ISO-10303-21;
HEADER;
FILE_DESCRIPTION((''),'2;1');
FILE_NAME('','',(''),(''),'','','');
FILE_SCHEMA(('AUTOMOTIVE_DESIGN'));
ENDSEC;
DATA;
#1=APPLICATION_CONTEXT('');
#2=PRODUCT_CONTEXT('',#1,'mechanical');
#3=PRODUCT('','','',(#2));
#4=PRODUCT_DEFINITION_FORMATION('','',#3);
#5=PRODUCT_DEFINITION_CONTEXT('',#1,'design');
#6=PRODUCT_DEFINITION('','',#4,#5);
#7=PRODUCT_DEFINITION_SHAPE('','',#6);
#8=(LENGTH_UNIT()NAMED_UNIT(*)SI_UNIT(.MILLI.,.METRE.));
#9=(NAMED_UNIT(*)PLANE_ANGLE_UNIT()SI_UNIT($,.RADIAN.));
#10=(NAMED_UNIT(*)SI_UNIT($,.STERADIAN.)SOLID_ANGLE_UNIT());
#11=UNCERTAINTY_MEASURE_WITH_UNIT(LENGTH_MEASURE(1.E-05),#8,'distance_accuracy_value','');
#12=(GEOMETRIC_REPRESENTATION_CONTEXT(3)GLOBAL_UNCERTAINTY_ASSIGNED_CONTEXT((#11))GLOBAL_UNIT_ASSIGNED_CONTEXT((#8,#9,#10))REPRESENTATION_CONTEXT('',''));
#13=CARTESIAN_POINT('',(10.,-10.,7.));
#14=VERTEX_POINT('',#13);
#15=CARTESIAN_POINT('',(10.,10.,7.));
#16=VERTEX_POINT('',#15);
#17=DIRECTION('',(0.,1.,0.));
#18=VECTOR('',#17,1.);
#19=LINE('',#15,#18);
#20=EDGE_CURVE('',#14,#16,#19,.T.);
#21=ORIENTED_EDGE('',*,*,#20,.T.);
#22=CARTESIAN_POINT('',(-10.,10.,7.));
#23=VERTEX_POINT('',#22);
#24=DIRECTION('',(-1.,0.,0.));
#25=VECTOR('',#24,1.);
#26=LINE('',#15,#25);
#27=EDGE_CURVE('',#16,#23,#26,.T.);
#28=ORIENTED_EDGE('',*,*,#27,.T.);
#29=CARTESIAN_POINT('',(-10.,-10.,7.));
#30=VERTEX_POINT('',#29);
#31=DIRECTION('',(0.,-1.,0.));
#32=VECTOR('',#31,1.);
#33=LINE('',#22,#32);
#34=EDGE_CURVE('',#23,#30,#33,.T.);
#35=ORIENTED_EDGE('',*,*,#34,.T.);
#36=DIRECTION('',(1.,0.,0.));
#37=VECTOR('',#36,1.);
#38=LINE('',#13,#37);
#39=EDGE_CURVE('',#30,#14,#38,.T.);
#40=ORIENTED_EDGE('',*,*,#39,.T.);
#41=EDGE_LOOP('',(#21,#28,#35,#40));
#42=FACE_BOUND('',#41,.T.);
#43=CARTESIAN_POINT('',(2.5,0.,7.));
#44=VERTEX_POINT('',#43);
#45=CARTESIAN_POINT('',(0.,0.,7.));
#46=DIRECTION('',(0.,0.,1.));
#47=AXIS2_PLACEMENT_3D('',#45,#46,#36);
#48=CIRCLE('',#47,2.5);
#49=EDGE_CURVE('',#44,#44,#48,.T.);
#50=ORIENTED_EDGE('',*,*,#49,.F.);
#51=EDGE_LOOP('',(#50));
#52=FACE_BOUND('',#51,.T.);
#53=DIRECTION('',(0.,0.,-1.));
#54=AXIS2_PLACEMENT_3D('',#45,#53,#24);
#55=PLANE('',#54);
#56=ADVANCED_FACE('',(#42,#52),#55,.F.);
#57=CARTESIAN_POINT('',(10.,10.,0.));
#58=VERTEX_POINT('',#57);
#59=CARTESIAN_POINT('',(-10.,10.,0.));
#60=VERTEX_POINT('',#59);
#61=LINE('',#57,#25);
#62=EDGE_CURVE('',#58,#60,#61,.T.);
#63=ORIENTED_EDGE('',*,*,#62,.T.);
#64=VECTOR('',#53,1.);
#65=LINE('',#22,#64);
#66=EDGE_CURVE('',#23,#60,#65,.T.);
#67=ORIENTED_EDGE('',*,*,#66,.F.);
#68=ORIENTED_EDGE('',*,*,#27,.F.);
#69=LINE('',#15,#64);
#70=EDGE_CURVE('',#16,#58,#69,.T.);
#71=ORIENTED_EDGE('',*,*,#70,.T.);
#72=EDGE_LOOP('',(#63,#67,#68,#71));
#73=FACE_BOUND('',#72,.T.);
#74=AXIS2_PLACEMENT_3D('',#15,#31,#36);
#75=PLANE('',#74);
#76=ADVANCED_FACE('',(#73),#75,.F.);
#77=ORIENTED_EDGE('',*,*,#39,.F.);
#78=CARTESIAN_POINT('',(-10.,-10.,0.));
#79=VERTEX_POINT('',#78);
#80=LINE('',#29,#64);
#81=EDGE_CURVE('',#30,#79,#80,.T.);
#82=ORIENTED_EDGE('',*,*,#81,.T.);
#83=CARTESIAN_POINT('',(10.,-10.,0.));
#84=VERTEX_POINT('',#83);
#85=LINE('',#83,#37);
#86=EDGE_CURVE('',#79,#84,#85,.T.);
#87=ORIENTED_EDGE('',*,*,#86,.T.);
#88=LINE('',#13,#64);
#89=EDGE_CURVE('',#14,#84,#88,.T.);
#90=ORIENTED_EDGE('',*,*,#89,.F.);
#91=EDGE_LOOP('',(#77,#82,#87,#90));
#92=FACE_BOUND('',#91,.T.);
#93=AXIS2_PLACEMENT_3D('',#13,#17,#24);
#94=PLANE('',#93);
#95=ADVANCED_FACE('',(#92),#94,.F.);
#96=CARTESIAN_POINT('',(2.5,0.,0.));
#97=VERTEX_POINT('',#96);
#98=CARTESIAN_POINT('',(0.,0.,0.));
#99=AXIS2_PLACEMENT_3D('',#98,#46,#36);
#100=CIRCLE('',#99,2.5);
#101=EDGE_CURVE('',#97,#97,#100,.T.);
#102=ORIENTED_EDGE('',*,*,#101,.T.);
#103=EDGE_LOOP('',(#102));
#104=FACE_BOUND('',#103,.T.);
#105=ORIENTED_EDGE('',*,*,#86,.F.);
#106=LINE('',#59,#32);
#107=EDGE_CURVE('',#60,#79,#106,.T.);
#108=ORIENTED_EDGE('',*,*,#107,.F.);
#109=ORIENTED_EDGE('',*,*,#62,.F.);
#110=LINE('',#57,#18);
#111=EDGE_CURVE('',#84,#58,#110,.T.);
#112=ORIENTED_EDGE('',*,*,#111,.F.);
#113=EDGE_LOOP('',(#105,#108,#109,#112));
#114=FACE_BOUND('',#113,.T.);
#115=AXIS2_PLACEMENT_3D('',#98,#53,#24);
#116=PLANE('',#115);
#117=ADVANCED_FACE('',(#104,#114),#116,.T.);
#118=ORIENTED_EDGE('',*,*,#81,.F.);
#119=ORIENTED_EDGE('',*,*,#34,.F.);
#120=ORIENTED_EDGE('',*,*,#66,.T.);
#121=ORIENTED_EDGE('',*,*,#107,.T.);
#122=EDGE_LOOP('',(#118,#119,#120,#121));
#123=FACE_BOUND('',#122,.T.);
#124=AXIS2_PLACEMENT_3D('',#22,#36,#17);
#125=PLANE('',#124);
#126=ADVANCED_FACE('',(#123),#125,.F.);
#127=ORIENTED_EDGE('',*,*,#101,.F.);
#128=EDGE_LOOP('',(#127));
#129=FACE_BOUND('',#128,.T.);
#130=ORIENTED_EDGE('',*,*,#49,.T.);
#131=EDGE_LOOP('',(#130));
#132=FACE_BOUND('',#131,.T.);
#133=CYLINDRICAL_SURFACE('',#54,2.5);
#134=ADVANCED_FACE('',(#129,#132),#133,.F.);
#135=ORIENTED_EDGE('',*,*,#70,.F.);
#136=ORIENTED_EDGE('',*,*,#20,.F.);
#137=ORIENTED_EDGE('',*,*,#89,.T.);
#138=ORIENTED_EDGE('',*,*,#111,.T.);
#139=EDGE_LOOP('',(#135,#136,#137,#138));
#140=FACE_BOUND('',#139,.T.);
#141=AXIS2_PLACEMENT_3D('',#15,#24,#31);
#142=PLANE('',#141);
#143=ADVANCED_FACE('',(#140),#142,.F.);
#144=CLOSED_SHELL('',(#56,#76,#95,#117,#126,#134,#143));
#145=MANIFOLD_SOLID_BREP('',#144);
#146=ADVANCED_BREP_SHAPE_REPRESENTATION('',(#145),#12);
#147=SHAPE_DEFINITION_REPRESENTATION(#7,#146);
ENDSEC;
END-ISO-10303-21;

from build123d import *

# Parameters (mm, degrees)
ESBO_O1_W                = 20
ESBO_O1_H                = 20
ESBO_O1_R                = 2.5
RESSALTO_EXTRUS_O1_DEPTH = 7


with BuildPart() as part:
    # Esboço1 → Ressalto-extrusão1 (new body)
    with BuildSketch(Plane.XY):
        Rectangle(ESBO_O1_W, ESBO_O1_H)
        Circle(ESBO_O1_R, mode=Mode.SUBTRACT)
    extrude(amount=RESSALTO_EXTRUS_O1_DEPTH)


solid = part.part
